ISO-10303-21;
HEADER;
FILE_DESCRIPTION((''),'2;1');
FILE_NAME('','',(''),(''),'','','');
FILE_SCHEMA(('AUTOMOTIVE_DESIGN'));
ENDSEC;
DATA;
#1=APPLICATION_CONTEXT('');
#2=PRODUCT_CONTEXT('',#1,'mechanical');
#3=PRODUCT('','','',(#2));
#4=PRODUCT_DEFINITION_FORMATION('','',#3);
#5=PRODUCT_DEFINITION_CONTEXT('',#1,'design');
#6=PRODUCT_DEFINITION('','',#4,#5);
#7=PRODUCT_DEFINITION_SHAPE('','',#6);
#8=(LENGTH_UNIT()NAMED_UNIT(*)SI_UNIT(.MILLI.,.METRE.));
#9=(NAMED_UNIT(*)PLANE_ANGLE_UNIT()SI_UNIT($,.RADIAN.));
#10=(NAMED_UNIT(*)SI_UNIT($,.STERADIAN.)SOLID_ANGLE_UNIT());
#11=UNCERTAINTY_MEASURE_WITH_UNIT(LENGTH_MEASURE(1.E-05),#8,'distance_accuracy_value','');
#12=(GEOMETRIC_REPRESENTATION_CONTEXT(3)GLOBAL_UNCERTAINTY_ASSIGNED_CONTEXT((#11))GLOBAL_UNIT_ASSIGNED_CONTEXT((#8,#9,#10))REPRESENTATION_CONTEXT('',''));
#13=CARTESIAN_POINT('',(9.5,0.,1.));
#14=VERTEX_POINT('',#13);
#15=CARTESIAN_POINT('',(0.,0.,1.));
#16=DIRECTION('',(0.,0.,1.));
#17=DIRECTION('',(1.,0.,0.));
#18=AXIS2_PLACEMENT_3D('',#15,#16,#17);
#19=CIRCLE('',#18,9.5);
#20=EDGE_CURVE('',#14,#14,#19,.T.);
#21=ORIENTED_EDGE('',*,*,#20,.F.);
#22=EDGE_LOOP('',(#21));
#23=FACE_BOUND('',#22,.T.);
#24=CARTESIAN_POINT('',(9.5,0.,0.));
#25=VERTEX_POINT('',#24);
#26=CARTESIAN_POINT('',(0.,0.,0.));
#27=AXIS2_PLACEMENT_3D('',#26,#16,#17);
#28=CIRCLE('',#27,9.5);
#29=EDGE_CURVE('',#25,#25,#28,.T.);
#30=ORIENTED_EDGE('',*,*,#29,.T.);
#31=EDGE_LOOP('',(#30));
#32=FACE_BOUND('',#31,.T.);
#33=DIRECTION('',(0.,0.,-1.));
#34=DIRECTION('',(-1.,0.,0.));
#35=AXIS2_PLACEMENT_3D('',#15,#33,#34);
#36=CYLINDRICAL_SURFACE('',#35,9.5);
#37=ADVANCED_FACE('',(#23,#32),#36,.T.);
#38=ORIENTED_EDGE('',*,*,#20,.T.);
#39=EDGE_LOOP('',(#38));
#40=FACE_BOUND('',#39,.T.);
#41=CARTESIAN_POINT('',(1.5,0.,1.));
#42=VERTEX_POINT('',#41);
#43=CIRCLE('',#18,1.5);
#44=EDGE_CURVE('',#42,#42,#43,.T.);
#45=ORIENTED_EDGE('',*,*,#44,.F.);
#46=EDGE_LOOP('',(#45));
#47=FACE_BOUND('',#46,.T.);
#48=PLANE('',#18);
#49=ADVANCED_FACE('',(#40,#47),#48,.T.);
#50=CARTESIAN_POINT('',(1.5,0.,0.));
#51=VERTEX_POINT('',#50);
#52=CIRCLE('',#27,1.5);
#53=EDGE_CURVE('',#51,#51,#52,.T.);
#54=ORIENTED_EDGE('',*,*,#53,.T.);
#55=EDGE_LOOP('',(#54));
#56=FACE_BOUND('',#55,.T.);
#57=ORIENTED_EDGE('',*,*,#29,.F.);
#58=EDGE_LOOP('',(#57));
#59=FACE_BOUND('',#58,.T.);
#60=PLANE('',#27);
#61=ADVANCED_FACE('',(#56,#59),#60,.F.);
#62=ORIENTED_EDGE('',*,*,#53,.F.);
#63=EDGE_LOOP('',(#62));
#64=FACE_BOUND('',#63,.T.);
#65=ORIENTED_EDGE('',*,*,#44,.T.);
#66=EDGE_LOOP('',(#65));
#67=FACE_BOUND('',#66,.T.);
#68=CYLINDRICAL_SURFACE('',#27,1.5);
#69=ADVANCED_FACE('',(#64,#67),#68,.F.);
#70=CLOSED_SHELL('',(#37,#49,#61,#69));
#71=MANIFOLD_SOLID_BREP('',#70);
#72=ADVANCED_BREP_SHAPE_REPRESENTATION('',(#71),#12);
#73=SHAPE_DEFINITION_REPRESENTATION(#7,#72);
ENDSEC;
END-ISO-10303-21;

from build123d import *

# Parameters (mm, degrees)
CROQUIS1_R              = 9.5
SALIENTE_EXTRUIR1_DEPTH = 1
CROQUIS2_R              = 1.5
CORTAR_EXTRUIR1_DEPTH   = 1


with BuildPart() as part:
    # Croquis1 → Saliente-Extruir1 (new body)
    with BuildSketch(Plane.XY):
        Circle(CROQUIS1_R)
    extrude(amount=SALIENTE_EXTRUIR1_DEPTH)

    # Croquis2 → Cortar-Extruir1 (cut)
    with BuildSketch(Plane.XY.offset(1)):
        Circle(CROQUIS2_R)
    extrude(amount=-CORTAR_EXTRUIR1_DEPTH, mode=Mode.SUBTRACT)


solid = part.part
